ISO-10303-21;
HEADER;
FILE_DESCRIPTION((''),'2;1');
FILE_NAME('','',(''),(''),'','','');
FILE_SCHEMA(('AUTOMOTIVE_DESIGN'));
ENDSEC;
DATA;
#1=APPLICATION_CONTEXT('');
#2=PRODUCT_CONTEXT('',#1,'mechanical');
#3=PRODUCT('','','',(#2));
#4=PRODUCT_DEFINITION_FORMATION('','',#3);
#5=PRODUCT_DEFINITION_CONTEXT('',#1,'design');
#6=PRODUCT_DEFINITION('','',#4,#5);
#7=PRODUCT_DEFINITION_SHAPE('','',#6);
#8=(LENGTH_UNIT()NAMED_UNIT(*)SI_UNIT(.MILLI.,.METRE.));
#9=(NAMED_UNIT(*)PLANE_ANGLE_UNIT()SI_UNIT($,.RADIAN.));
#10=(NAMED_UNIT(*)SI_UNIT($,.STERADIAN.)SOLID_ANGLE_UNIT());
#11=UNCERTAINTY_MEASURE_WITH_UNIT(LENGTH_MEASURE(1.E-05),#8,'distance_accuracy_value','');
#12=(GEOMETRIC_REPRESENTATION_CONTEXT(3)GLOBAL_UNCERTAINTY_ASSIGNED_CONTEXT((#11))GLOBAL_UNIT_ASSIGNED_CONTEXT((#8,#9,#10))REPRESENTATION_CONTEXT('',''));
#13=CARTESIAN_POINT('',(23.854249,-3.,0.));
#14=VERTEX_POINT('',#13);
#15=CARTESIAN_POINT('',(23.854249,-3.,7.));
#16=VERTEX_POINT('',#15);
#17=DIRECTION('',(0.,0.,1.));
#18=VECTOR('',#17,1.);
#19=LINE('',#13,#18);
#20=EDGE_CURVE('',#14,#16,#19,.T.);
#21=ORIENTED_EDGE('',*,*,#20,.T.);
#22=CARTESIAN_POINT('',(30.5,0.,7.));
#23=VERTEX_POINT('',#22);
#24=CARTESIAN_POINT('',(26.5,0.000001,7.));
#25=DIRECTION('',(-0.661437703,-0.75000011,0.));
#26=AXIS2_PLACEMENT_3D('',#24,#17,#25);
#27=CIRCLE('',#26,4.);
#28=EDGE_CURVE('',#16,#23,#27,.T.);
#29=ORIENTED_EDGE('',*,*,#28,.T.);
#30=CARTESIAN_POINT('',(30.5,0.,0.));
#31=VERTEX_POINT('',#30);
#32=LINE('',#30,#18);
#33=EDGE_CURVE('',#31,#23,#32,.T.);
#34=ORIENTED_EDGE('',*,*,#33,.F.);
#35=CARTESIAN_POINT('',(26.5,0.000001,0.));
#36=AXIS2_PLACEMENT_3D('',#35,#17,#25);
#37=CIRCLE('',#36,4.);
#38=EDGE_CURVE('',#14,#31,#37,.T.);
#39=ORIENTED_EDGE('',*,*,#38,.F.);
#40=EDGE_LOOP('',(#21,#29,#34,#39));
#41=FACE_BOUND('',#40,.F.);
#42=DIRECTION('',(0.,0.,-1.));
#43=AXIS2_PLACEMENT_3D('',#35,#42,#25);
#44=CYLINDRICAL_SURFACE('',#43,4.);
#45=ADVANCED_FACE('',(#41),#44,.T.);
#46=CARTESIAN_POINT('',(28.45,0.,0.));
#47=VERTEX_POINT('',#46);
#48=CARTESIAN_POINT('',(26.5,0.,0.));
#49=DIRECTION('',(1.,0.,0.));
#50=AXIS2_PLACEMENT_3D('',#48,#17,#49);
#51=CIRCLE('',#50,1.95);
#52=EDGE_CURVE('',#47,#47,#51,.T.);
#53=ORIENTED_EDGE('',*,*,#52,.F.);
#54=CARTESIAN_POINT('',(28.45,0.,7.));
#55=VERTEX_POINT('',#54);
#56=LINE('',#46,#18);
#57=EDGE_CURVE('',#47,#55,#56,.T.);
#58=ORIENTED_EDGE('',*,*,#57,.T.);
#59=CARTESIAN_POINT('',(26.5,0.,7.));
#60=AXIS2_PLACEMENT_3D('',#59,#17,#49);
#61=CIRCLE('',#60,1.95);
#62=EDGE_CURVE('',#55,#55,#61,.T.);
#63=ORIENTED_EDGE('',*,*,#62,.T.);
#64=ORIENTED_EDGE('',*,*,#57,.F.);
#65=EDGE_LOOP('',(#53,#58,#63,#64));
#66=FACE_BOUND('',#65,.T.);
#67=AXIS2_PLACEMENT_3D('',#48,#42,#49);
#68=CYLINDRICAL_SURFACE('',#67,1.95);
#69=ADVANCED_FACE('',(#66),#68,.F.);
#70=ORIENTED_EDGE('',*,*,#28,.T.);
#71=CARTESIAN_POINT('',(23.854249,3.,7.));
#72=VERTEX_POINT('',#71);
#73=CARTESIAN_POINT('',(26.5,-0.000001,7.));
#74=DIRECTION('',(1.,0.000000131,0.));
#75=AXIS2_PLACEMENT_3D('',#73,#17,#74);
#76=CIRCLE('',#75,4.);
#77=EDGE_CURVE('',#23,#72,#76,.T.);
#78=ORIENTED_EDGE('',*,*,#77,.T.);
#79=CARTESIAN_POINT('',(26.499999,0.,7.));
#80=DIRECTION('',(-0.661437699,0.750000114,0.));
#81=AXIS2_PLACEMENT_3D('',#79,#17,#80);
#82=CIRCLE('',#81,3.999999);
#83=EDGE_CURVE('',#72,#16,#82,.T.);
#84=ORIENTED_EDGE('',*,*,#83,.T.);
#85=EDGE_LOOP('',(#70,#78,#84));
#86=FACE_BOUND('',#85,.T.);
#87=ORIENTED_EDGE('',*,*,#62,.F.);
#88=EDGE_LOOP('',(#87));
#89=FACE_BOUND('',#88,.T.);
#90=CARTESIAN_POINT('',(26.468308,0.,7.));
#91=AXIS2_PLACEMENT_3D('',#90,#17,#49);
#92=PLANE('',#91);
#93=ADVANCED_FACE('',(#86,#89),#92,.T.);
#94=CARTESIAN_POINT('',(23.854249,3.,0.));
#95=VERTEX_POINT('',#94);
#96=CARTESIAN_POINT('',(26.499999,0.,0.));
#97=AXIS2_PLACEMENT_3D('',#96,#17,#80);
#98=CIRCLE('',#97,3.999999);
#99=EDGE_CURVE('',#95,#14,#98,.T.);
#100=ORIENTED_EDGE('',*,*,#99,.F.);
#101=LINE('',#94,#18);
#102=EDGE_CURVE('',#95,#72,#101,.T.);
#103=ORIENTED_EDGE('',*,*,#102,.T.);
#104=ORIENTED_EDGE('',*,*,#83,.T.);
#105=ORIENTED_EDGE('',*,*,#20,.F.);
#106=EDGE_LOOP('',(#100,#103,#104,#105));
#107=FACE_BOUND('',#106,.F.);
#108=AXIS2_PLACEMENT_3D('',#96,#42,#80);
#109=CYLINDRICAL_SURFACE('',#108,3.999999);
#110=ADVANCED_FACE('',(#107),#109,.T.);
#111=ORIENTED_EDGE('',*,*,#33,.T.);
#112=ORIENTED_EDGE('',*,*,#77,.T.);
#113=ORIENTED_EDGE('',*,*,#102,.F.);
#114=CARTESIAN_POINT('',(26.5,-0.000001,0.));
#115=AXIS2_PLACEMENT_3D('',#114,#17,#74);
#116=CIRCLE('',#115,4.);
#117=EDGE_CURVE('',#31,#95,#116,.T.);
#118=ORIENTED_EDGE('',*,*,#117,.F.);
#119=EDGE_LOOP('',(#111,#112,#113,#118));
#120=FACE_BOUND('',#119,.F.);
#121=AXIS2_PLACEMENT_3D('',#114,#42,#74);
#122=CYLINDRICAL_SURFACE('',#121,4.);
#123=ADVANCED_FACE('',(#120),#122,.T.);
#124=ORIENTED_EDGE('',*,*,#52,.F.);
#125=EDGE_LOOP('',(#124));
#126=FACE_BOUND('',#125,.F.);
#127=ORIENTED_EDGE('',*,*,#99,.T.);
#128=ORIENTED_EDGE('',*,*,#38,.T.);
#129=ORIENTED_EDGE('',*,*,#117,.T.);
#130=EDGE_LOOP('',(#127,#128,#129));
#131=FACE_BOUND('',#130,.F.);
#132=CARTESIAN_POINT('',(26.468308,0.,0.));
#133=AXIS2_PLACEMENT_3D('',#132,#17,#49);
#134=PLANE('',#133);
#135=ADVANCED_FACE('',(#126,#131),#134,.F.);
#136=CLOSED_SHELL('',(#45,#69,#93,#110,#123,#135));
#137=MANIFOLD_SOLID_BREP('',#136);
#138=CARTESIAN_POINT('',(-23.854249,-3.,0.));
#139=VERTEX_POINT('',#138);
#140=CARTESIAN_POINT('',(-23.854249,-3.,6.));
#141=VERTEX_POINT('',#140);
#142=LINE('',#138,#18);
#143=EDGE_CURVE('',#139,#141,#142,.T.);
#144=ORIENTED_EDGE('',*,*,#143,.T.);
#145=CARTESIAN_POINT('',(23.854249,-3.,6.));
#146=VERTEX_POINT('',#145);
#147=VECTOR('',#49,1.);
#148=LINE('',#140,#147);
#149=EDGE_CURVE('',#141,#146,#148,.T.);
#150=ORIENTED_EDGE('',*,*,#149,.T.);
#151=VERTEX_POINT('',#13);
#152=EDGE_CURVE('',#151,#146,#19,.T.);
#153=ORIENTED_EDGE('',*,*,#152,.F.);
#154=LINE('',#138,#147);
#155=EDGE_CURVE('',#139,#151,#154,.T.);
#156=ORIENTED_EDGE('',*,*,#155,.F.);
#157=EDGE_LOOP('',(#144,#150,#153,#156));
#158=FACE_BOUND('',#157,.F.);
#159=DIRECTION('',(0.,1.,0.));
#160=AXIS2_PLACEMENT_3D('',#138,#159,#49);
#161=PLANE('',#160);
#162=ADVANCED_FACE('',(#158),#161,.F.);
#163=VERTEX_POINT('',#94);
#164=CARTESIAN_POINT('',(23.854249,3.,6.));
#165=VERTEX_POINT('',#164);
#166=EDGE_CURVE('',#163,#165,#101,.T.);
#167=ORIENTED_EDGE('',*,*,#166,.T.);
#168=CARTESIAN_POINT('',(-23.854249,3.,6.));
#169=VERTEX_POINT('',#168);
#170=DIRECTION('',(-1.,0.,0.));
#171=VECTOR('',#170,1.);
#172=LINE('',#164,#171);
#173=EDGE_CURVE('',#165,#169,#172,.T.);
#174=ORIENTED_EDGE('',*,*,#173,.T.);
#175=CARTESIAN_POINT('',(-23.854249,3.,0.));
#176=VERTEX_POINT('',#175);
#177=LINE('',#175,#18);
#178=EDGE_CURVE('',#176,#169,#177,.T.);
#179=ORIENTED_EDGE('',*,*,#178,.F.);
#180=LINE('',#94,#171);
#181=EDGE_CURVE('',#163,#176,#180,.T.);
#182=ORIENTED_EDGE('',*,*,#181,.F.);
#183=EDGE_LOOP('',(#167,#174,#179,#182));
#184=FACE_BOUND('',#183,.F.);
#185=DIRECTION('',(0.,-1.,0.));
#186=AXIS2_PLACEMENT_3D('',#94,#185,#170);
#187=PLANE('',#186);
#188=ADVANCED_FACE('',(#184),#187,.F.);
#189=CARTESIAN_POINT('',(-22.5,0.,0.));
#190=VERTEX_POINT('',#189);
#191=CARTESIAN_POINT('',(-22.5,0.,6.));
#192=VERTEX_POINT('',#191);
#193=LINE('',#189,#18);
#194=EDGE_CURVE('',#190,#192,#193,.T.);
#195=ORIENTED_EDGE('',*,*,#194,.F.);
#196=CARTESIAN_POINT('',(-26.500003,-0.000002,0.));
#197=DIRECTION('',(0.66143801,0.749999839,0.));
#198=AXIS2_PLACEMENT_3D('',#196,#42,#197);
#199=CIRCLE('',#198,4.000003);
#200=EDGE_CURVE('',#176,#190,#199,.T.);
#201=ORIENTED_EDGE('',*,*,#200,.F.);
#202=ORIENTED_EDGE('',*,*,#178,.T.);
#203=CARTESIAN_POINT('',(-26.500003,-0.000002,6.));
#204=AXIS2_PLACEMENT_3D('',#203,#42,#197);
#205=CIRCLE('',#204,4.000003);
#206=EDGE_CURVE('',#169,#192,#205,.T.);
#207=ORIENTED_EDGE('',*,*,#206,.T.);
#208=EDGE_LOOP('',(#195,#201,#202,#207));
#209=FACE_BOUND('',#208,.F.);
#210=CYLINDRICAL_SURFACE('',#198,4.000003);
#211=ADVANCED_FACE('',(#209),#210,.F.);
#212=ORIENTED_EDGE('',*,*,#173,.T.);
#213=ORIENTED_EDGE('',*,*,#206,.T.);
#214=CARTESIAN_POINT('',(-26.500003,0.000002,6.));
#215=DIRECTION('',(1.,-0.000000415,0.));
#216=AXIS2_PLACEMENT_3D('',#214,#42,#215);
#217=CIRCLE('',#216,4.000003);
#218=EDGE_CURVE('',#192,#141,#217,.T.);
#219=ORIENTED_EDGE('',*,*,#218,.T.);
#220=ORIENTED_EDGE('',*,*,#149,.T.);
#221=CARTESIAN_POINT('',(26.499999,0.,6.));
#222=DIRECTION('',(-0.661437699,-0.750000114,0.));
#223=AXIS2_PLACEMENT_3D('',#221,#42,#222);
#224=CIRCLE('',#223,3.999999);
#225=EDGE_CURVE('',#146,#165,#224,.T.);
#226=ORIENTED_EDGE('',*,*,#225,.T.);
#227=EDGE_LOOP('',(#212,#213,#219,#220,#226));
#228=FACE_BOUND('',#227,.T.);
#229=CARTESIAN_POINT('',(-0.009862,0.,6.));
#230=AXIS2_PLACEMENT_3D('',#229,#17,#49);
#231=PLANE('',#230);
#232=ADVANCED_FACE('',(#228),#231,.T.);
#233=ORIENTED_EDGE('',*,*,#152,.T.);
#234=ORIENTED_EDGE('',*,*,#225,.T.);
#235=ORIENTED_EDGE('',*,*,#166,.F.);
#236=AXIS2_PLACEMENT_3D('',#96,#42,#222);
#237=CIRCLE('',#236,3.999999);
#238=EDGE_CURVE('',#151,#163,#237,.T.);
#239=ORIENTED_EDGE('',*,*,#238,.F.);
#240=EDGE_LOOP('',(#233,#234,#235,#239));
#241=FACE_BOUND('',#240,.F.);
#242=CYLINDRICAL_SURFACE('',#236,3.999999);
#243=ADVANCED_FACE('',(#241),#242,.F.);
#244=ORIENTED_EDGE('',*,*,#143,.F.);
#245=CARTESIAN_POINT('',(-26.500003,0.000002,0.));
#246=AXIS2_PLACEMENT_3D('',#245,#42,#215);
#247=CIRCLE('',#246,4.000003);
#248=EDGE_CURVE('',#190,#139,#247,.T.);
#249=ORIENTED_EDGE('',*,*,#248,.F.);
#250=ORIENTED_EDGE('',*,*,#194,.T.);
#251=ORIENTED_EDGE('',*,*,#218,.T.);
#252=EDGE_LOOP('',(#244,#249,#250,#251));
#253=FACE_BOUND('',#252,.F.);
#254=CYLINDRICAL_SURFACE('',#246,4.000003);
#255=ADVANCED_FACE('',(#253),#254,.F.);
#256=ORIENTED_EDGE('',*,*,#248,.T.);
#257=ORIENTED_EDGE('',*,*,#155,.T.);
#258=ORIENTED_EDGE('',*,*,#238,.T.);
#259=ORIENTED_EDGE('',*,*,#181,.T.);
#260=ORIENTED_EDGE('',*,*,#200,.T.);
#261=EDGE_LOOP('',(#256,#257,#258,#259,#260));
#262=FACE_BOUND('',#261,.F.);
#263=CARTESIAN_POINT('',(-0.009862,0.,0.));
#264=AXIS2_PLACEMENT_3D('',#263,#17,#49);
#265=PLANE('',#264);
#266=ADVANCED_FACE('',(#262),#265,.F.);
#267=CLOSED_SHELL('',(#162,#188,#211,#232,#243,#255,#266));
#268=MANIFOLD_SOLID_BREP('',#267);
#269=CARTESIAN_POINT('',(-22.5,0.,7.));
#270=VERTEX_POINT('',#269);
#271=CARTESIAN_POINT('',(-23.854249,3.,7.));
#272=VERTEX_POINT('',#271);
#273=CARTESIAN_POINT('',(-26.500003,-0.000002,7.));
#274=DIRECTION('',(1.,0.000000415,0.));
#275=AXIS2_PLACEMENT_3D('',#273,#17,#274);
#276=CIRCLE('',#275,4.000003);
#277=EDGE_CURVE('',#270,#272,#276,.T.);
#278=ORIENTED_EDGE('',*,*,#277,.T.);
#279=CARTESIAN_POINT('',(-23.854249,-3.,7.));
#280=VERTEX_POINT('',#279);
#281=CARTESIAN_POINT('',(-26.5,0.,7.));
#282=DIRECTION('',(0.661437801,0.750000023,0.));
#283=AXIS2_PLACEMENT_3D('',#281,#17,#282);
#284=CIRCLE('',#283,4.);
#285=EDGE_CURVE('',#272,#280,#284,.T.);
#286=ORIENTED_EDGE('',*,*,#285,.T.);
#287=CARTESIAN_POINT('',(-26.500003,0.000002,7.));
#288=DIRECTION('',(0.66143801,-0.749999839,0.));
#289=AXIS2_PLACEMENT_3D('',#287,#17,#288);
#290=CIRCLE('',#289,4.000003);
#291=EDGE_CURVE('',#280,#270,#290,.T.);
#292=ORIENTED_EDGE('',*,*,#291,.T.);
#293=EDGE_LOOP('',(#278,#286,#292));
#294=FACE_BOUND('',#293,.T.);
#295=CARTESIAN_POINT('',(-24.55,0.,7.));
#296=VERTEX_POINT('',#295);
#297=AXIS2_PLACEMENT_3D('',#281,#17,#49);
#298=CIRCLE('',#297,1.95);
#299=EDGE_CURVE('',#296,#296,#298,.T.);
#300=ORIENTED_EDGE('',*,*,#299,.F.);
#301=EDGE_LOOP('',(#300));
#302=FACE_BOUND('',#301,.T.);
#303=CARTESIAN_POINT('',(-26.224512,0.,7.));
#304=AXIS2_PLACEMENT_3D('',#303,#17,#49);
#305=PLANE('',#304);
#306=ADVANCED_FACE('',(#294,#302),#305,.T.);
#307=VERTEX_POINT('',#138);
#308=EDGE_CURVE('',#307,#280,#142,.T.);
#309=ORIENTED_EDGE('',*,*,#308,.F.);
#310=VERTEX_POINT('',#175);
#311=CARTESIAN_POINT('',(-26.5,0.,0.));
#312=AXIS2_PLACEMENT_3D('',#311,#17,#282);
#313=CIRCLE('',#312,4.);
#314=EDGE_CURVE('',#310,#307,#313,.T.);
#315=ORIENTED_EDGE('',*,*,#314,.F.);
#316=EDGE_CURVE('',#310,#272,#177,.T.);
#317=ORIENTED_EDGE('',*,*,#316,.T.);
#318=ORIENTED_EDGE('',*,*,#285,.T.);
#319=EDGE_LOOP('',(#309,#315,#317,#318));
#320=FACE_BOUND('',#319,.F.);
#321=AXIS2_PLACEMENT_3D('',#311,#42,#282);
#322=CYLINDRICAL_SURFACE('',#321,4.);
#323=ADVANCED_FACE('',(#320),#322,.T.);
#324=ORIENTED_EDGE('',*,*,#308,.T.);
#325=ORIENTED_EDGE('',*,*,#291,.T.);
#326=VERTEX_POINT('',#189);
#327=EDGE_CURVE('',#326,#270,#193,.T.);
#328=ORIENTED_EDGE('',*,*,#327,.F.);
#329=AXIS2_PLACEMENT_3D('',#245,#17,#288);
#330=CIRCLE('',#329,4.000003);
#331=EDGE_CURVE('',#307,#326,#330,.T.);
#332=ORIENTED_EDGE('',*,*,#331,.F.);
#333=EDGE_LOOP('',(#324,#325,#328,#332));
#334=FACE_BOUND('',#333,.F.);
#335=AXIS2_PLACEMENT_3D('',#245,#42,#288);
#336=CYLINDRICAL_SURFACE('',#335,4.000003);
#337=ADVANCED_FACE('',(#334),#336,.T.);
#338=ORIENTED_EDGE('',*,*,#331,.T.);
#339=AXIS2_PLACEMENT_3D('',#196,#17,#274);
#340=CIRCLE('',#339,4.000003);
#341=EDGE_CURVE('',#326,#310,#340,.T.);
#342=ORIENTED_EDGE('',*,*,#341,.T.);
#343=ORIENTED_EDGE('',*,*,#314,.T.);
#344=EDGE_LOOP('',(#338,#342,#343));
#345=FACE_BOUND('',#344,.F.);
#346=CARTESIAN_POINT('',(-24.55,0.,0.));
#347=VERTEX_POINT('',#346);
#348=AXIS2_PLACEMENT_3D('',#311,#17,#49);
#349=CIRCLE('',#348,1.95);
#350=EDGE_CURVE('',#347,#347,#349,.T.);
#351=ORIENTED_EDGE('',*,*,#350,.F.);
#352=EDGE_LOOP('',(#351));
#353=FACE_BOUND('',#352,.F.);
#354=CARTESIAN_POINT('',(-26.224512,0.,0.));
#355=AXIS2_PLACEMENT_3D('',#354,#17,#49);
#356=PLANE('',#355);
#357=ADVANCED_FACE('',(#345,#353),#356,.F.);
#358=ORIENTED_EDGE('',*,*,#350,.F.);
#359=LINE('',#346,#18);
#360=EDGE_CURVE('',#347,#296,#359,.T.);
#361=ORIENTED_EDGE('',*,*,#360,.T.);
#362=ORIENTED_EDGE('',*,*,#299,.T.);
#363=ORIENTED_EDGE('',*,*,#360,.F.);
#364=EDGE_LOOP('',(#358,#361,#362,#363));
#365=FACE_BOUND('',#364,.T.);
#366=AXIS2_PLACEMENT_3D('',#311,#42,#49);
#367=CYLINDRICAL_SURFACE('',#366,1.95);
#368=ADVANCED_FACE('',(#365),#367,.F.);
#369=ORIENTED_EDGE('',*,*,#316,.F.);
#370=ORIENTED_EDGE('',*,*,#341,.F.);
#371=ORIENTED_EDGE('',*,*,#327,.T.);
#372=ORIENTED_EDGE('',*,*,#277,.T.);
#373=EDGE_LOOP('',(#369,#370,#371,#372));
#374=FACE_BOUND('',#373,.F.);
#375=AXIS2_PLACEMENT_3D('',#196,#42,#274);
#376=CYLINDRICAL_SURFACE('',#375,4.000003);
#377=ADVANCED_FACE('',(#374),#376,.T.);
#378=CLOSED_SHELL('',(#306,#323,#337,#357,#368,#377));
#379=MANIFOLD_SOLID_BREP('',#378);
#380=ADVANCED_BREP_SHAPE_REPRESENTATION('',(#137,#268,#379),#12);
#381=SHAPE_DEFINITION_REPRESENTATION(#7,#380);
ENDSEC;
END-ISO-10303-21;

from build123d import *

# Parameters (mm, degrees)
F0_R     = 1.95
F1_DEPTH = 7
F2_DEPTH = 6


with BuildPart() as f1:
    # F0 (on Top) → F1 (new body)
    with BuildSketch(Plane.XY):
        with BuildLine():
            ThreePointArc((-23.854249, -3), (-22.854249, -1.645751), (-22.5, 0))
            ThreePointArc((-22.5, 0), (-22.854249, 1.645751), (-23.854249, 3))
            ThreePointArc((-23.854249, 3), (-30.5, 0), (-23.854249, -3))
        make_face()
        with Locations((-26.5, 0)):
            Circle(F0_R, mode=Mode.SUBTRACT)
        with BuildLine():
            ThreePointArc((30.5, 0), (28.145751, 3.645751), (23.854249, 3))
            ThreePointArc((23.854249, 3), (22.5, 0), (23.854249, -3))
            ThreePointArc((23.854249, -3), (28.145751, -3.645751), (30.5, 0))
        make_face()
        with Locations((26.5, 0)):
            Circle(F0_R, mode=Mode.SUBTRACT)
    extrude(amount=F1_DEPTH)


with BuildPart() as f2:
    # F0 (on Top) → F2 (new body)
    with BuildSketch(Plane.XY):
        with BuildLine():
            ThreePointArc((-23.854249, 3), (-22.854249, 1.645751), (-22.5, 0))
            ThreePointArc((-22.5, 0), (-22.854249, -1.645751), (-23.854249, -3))
            Line((-23.854249, -3), (23.854249, -3))
            ThreePointArc((23.854249, -3), (22.5, 0), (23.854249, 3))
            Line((23.854249, 3), (-23.854249, 3))
        make_face()
    extrude(amount=F2_DEPTH)


solid = Compound([f1.part, f2.part])
